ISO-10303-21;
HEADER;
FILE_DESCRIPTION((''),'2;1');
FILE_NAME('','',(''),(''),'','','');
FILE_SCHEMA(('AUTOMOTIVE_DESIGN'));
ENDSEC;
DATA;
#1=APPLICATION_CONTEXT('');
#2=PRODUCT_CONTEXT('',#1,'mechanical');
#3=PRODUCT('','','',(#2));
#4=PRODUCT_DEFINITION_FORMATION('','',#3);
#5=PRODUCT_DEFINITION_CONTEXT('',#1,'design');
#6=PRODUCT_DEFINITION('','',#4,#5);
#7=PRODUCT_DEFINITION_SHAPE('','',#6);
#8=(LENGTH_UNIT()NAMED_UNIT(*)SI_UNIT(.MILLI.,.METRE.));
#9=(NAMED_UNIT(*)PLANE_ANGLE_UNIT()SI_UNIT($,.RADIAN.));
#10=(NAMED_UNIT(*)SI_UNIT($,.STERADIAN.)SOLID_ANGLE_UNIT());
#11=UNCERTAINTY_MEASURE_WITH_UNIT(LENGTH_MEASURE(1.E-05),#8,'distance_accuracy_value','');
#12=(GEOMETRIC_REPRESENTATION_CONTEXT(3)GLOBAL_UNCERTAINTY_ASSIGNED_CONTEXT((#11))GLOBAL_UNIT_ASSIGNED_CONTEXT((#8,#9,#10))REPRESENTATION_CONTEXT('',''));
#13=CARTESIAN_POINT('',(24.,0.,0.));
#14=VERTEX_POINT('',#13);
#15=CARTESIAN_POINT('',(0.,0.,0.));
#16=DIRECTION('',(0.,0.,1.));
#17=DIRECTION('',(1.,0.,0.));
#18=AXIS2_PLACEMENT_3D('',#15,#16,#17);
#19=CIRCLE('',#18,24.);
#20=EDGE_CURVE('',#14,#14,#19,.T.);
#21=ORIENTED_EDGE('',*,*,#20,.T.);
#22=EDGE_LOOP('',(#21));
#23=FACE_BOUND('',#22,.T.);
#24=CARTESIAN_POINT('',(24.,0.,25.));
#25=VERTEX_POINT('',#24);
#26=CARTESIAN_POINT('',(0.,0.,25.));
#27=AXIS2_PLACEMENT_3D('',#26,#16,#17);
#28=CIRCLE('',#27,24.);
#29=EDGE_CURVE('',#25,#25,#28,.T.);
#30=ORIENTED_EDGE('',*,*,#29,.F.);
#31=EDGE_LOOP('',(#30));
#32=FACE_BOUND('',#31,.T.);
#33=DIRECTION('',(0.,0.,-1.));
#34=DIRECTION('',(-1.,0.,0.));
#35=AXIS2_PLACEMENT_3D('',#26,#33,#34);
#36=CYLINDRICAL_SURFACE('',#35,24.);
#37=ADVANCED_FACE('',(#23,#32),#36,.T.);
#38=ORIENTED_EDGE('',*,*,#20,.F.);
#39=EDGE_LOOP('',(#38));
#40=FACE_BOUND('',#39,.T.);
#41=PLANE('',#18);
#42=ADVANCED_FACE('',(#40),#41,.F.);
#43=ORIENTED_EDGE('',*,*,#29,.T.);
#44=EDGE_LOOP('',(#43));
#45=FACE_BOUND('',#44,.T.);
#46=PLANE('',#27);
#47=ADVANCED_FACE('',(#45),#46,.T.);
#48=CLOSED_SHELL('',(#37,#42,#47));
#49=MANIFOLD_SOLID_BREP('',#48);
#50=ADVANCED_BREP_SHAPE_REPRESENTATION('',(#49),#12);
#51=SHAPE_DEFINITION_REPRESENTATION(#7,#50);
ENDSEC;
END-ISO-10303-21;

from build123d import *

# Parameters (mm, degrees)
SKETCH_1_R      = 24
EXTRUDE_1_DEPTH = 25


with BuildPart() as part:
    # ｽｹｯﾁ1 → ﾎﾞｽ - 押し出し1 (new body)
    with BuildSketch(Plane.XY):
        Circle(SKETCH_1_R)
    extrude(amount=EXTRUDE_1_DEPTH)


solid = part.part
